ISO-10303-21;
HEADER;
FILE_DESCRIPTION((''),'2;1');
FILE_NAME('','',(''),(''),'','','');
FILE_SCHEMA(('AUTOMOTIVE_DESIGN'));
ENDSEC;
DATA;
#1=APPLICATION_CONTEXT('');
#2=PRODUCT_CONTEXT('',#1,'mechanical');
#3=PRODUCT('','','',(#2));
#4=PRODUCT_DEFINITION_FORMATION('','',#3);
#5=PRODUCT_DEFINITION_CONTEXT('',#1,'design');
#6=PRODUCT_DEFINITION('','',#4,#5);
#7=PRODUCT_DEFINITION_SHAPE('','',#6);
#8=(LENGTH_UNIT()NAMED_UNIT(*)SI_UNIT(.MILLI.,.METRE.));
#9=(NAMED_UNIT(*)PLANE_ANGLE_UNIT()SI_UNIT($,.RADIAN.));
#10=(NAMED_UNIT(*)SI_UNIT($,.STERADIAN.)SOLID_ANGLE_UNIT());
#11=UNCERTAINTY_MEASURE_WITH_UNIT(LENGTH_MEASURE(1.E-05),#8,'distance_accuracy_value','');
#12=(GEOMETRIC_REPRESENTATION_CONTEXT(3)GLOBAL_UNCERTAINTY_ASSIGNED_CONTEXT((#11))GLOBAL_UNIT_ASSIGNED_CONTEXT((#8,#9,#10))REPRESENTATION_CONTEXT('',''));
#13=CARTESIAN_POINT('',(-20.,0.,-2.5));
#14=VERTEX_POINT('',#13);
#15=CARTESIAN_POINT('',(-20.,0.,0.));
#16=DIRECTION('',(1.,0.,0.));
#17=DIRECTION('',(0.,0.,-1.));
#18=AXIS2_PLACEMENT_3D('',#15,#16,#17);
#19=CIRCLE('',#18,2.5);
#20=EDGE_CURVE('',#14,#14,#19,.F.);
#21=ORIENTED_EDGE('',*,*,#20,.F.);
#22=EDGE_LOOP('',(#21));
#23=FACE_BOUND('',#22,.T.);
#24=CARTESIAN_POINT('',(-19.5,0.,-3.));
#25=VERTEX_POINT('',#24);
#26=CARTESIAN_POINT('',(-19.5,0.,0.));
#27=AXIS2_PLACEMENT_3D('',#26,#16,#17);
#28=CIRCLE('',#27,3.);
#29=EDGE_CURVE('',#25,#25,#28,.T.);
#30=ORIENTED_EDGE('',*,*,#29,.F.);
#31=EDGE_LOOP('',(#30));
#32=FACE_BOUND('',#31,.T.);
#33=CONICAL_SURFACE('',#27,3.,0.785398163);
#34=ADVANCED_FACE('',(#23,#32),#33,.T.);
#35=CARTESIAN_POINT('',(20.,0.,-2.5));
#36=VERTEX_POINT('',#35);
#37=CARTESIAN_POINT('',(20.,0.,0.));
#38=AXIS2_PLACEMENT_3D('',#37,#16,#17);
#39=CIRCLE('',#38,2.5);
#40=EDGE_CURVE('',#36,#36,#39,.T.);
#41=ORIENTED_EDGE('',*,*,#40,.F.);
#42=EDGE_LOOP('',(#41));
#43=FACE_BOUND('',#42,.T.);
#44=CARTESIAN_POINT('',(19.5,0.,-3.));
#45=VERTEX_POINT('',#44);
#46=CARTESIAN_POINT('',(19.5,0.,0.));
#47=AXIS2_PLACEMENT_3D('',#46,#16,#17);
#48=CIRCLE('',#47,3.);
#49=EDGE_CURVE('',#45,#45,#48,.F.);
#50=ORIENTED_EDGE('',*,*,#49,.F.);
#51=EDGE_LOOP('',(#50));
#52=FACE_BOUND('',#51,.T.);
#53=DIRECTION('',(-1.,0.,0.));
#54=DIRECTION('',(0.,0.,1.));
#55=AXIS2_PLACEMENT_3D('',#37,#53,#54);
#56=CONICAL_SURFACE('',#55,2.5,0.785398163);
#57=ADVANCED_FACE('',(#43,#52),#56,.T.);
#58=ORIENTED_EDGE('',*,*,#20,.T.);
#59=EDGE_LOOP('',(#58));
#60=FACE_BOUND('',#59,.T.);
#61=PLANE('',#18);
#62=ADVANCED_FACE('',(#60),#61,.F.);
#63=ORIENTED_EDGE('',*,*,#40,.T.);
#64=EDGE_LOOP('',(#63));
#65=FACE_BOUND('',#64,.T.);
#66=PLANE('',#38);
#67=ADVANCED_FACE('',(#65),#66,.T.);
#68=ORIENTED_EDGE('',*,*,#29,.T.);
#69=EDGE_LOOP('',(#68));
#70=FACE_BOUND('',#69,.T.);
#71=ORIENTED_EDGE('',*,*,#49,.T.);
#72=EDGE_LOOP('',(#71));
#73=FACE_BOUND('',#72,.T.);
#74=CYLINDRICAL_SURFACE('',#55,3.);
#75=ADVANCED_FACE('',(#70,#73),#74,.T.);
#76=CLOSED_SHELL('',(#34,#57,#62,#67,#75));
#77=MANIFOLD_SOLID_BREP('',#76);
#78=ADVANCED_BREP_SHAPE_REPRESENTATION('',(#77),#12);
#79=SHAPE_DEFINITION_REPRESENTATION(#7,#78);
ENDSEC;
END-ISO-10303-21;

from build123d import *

# Parameters (mm, degrees)
SKETCH_1_R      = 3
EXTRUDE_1_DEPTH = 20
CHAMFER_1_SIZE  = 0.5


with BuildPart() as part:
    # Эскиз1 → Бобышка-Вытянуть1 (new, symmetric)
    with BuildSketch(Plane(origin=(0, 0, 0), x_dir=(0, 0, -1), z_dir=(1, 0, 0))):
        Circle(SKETCH_1_R)
    extrude(amount=EXTRUDE_1_DEPTH, both=True)

    # Фаска1
    chamfer_1_edges = [part.edges().sort_by_distance(p)[0] for p in [
        (-20, 0, 3),
        (20, 0, 3),
    ]]
    chamfer(chamfer_1_edges, length=CHAMFER_1_SIZE)


solid = part.part
